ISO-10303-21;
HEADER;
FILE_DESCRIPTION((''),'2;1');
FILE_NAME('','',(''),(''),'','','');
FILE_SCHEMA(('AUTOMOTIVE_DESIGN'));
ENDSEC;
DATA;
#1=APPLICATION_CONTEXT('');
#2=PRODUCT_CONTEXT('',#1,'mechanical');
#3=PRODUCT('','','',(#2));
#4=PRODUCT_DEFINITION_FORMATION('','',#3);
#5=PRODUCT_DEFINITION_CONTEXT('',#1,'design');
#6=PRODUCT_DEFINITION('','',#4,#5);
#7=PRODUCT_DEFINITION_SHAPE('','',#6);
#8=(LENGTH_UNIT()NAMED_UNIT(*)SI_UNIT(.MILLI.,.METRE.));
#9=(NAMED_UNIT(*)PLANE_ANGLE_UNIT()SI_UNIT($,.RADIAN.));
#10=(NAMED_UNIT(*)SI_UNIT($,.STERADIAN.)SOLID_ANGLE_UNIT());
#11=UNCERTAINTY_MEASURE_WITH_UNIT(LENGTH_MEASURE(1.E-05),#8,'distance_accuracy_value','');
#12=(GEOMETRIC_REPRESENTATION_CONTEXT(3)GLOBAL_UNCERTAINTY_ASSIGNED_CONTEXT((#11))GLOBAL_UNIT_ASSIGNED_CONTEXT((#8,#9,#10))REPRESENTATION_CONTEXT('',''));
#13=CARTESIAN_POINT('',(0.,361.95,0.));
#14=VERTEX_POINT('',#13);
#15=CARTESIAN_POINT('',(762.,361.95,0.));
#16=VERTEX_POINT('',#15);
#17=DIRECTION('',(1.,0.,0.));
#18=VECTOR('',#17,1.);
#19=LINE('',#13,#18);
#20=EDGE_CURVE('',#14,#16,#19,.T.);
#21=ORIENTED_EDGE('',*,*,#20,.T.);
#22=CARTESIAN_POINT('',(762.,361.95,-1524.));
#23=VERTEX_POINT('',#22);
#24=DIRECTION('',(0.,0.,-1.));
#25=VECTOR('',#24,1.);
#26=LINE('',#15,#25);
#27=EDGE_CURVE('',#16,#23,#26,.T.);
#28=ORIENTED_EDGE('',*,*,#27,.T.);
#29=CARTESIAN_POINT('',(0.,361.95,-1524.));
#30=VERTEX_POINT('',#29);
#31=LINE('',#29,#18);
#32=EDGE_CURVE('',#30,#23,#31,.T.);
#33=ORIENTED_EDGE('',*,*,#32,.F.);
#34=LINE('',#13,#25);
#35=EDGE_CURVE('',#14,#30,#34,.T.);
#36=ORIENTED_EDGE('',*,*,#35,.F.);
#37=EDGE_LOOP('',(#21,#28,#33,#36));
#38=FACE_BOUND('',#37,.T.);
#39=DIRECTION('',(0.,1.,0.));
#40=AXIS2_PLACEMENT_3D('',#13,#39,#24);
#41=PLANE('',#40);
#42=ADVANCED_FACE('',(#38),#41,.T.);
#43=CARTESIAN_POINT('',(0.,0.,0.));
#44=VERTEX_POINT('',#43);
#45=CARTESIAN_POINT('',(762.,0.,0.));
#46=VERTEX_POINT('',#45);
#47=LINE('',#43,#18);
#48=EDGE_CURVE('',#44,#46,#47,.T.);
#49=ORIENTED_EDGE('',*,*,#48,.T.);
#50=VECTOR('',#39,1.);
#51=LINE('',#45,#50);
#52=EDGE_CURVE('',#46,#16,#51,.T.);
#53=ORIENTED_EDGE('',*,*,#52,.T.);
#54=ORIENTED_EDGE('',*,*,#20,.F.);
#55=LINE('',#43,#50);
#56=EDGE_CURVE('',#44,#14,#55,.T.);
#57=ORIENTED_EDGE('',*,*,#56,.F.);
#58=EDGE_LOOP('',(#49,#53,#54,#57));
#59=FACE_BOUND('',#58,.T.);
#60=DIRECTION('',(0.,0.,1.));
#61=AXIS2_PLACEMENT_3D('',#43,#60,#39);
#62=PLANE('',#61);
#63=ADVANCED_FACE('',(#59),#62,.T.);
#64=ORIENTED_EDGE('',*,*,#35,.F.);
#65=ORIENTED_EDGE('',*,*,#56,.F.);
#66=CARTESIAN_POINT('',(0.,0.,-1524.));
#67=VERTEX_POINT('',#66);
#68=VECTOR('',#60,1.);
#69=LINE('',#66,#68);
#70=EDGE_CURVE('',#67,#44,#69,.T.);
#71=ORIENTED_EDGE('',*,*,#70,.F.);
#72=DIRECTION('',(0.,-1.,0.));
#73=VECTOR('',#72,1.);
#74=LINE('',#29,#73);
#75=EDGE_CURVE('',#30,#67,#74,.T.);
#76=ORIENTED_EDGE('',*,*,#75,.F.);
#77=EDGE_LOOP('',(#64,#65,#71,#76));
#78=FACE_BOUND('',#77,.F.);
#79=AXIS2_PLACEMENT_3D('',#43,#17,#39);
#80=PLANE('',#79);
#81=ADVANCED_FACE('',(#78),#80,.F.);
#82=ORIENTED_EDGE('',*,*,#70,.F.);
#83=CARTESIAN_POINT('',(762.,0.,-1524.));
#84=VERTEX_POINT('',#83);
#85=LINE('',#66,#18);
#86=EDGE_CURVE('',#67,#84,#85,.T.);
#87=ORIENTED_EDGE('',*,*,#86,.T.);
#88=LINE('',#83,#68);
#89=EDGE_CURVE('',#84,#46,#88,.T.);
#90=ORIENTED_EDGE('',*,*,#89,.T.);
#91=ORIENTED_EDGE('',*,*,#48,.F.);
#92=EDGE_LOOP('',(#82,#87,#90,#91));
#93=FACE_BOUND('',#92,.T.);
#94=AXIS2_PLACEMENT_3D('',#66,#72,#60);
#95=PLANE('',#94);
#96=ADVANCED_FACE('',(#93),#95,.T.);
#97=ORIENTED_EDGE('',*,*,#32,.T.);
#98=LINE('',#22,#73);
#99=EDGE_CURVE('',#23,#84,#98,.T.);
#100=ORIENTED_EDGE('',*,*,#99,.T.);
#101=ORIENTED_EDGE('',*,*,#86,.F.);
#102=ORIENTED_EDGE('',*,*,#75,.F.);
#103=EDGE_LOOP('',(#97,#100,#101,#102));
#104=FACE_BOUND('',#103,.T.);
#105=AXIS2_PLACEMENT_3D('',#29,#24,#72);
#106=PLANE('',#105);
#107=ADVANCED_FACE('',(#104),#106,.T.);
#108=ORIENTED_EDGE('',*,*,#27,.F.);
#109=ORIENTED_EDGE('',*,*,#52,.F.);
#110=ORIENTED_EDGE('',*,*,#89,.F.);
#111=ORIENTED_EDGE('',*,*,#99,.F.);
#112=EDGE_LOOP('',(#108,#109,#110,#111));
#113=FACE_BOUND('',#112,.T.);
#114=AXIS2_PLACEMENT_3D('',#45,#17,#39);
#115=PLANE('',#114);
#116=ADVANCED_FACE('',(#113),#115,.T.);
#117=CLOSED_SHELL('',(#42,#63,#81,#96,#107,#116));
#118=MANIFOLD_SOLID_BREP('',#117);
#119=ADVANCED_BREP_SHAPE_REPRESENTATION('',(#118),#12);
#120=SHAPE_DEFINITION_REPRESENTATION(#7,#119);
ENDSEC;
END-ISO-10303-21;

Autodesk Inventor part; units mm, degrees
ref_plane "YZ Plane" through (0, 0, 0) normal (1, 0, 0) x (0, 1, 0)
ref_plane "XZ Plane" through (0, 0, 0) normal (0, 1, 0) x (-1, 0, 0)
ref_plane "XY Plane" through (0, 0, 0) normal (0, 0, 1) x (1, 0, 0)
sketch "Sketch1" plane through (0, 0, 0) normal (1, 0, 0) x (0, 1, 0)
  line L0 (0, 0) -> (361.95, 0)
  line L1 (361.95, 0) -> (361.95, -1524)
  line L2 (361.95, -1524) -> (0, -1524)
  line L3 (0, -1524) -> (0, 0)
  dimension "d0" = 1524
  dimension "d2" = 361.95
extrude "Extrusion1" add sketch "Sketch1" along normal blind 762
properties part number "Bathtub" material "Steel"
